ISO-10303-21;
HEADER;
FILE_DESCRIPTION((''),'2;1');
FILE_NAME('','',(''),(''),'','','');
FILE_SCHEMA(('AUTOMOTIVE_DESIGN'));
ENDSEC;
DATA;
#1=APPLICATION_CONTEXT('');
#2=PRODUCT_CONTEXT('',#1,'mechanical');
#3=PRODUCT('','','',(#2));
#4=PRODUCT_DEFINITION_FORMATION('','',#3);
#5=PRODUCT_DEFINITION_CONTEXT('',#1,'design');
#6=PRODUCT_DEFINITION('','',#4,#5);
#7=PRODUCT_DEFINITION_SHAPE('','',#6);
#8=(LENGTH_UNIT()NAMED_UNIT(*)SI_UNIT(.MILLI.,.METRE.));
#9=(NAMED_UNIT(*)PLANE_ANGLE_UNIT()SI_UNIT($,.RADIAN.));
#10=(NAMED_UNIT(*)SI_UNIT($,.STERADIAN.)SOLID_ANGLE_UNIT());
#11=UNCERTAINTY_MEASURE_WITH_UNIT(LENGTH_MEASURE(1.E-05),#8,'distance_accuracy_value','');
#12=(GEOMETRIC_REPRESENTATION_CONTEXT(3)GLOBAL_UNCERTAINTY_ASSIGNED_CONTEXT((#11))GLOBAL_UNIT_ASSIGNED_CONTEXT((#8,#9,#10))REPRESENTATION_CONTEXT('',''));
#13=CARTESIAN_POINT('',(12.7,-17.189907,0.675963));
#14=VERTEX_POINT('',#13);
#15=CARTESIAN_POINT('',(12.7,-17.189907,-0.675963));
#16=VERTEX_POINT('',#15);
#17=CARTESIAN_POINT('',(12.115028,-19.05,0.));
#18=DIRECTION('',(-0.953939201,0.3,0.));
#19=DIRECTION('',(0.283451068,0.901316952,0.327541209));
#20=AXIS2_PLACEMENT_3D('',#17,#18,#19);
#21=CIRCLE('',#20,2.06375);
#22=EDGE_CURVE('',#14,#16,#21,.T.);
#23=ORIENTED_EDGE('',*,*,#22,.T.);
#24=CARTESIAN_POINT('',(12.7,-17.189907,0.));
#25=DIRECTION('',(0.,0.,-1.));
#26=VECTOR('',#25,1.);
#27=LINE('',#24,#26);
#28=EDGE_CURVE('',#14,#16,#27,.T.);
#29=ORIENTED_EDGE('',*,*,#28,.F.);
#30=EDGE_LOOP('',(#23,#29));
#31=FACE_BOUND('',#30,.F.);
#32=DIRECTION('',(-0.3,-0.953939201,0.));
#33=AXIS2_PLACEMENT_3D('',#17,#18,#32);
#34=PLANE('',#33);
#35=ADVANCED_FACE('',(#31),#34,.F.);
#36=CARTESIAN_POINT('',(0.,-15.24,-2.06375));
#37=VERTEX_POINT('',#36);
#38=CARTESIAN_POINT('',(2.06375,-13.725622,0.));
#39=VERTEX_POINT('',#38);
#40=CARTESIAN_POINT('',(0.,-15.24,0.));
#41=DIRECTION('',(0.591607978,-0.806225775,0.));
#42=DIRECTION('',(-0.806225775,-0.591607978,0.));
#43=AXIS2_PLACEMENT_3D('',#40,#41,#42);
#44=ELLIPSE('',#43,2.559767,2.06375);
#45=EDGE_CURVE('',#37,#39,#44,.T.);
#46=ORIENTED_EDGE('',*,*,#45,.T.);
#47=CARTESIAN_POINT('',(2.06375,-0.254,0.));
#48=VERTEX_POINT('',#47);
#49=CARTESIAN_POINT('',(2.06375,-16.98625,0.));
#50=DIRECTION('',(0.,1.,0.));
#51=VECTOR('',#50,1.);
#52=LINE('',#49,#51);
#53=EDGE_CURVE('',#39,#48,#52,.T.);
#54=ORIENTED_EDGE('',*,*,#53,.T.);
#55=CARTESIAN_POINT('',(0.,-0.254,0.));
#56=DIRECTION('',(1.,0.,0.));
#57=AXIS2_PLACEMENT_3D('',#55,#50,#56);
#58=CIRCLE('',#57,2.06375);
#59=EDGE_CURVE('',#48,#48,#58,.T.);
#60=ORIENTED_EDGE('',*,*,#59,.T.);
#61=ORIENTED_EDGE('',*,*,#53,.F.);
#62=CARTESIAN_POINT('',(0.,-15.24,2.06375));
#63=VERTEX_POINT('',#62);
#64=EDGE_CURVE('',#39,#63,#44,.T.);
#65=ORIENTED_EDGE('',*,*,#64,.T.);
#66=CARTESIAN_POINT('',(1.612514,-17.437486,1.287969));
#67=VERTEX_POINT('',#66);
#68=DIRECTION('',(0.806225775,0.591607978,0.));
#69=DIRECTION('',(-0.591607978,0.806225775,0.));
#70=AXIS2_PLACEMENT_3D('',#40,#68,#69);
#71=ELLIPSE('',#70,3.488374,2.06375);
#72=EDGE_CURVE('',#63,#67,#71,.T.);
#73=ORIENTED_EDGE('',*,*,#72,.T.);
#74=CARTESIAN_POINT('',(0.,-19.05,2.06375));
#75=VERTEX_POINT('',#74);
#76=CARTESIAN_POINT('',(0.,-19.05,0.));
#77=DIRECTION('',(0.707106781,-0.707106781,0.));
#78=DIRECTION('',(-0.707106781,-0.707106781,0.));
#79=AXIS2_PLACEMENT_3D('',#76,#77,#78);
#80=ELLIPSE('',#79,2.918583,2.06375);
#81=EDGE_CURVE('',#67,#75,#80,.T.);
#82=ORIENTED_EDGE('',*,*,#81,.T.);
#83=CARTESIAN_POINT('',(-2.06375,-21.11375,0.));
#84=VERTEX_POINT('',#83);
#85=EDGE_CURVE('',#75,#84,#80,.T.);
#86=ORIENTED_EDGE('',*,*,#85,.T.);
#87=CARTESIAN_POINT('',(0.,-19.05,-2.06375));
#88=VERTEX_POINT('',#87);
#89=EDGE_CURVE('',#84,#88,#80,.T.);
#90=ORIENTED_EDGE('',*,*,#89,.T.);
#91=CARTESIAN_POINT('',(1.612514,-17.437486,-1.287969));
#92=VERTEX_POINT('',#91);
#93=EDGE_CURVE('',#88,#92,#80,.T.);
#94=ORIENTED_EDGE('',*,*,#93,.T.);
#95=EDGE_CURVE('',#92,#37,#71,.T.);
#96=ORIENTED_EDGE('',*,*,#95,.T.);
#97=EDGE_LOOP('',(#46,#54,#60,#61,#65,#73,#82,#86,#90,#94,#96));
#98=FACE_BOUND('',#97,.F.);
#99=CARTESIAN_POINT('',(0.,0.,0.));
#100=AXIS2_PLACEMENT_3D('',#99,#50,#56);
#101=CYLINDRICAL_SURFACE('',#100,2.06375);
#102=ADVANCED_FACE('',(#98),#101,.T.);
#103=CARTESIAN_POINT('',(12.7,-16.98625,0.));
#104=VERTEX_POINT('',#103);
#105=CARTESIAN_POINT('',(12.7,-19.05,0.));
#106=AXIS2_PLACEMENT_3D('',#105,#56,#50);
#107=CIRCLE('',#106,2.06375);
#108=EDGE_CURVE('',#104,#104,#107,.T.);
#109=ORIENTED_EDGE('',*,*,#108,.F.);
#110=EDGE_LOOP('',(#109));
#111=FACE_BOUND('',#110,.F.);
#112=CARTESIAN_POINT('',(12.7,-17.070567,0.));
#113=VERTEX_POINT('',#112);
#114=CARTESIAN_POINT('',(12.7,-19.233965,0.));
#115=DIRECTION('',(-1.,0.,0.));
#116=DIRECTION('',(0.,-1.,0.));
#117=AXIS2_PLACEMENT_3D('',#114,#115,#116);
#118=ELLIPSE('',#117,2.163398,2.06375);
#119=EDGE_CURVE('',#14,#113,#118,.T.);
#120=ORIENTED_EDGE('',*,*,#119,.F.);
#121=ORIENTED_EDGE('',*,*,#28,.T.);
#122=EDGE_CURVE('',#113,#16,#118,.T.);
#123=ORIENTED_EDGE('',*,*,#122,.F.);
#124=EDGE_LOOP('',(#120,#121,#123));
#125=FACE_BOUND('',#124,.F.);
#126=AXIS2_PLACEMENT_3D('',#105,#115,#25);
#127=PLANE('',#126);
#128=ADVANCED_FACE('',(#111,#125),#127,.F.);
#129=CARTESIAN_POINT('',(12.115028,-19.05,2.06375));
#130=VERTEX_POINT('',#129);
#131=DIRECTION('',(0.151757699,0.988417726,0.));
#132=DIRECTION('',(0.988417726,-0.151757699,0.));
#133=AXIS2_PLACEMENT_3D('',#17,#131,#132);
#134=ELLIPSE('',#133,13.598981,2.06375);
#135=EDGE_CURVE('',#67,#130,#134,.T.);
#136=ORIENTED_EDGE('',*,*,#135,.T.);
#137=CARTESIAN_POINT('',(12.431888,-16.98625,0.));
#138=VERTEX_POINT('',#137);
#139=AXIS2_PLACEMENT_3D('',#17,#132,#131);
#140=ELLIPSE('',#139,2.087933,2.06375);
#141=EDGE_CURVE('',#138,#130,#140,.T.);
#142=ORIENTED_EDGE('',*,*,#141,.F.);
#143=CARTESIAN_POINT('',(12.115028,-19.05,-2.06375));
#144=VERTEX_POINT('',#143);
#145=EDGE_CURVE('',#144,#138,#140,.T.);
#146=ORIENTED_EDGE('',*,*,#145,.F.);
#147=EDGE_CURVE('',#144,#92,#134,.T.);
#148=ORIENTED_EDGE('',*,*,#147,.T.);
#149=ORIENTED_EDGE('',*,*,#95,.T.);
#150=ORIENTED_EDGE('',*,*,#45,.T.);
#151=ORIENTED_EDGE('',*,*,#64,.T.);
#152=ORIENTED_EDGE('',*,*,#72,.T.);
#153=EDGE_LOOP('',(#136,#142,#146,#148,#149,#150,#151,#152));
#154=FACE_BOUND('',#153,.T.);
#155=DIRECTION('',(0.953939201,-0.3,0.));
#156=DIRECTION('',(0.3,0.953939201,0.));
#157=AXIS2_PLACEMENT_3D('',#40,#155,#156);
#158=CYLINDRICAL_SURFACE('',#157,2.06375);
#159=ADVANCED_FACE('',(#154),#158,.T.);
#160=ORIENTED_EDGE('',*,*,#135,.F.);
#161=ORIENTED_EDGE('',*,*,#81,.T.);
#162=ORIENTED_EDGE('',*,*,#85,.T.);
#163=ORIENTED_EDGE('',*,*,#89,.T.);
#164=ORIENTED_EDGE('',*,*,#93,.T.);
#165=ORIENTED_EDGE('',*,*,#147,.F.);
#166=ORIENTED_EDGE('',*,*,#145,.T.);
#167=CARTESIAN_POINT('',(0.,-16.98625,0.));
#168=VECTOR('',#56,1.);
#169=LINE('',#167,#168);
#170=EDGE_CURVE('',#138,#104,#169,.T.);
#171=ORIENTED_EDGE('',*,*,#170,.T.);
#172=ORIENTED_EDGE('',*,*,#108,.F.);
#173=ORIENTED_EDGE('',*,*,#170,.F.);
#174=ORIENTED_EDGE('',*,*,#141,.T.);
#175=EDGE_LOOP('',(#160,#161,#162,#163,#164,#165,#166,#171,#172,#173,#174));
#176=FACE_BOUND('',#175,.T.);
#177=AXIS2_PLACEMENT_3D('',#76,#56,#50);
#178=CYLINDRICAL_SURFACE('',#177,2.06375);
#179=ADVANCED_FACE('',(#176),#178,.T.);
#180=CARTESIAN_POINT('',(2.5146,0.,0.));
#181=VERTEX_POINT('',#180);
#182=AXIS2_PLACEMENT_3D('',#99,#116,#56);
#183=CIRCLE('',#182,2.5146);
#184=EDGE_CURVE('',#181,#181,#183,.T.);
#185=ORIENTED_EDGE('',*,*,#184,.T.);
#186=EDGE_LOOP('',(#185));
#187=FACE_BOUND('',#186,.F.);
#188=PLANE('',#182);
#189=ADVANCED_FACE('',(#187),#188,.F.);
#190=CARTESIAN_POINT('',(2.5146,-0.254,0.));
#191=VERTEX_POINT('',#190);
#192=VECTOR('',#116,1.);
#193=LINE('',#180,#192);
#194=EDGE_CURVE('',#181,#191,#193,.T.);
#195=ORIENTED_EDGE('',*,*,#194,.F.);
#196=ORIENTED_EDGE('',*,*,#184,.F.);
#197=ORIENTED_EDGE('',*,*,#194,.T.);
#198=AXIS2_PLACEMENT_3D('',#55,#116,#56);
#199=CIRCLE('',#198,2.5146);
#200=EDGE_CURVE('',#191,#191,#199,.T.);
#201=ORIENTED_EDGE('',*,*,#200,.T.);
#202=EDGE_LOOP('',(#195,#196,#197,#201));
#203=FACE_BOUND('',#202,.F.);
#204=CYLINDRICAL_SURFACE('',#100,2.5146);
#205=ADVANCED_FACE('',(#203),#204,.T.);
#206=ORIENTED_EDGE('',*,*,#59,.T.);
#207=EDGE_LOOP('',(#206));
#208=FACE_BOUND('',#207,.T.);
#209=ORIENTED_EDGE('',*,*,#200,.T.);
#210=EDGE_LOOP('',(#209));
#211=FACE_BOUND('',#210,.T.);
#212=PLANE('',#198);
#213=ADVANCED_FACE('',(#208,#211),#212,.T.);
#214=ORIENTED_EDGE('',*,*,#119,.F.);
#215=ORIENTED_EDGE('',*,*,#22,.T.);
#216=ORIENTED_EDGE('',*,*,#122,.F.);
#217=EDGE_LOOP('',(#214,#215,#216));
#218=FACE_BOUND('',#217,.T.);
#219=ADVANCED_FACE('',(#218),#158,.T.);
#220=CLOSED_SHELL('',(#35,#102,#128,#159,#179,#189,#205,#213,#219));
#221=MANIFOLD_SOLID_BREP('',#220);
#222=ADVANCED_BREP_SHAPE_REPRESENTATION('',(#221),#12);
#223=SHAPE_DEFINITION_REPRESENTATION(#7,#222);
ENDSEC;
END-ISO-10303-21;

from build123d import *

# Parameters (mm, degrees)
F0_R      = 2.06375
F1_DEPTH  = 12.7
F1_FACE_R = 2.06375
F5_R      = 2.5146
F6_DEPTH  = 0.254


with BuildPart() as f1:
    # F0 (on Front) → F1 (new body)
    with BuildSketch(Plane.XZ):
        Circle(F0_R)
    extrude(amount=F1_DEPTH)

    # F3: sweep along a path in F2
    with BuildLine(Plane.XY) as f3_path:
        Line((0, 0), (0, -19.05))
        Line((0, -19.05), (12.7, -19.05))
    # F1_face (on face) → F3 (sweep)
    with BuildSketch(Plane(origin=(0, 0, 0), x_dir=(1, 0, 0), z_dir=(0, 1, 0))):
        Circle(F1_FACE_R)
    sweep(path=f3_path.line, transition=Transition.RIGHT)

    # F4: sweep along a path in F2
    with BuildLine(Plane.XY) as f4_path:
        Line((0, 0), (0, -15.24))
        Line((0, -15.24), (12.115027858, -19.05))
    # F1_face (on face) → F4 (sweep)
    with BuildSketch(Plane(origin=(0, 0, 0), x_dir=(1, 0, 0), z_dir=(0, 1, 0))):
        Circle(F1_FACE_R)
    sweep(path=f4_path.line, transition=Transition.RIGHT)

    # F5 (on Front) → F6 (join)
    with BuildSketch(Plane.XZ):
        Circle(F5_R)
    extrude(amount=F6_DEPTH)


solid = f1.part
